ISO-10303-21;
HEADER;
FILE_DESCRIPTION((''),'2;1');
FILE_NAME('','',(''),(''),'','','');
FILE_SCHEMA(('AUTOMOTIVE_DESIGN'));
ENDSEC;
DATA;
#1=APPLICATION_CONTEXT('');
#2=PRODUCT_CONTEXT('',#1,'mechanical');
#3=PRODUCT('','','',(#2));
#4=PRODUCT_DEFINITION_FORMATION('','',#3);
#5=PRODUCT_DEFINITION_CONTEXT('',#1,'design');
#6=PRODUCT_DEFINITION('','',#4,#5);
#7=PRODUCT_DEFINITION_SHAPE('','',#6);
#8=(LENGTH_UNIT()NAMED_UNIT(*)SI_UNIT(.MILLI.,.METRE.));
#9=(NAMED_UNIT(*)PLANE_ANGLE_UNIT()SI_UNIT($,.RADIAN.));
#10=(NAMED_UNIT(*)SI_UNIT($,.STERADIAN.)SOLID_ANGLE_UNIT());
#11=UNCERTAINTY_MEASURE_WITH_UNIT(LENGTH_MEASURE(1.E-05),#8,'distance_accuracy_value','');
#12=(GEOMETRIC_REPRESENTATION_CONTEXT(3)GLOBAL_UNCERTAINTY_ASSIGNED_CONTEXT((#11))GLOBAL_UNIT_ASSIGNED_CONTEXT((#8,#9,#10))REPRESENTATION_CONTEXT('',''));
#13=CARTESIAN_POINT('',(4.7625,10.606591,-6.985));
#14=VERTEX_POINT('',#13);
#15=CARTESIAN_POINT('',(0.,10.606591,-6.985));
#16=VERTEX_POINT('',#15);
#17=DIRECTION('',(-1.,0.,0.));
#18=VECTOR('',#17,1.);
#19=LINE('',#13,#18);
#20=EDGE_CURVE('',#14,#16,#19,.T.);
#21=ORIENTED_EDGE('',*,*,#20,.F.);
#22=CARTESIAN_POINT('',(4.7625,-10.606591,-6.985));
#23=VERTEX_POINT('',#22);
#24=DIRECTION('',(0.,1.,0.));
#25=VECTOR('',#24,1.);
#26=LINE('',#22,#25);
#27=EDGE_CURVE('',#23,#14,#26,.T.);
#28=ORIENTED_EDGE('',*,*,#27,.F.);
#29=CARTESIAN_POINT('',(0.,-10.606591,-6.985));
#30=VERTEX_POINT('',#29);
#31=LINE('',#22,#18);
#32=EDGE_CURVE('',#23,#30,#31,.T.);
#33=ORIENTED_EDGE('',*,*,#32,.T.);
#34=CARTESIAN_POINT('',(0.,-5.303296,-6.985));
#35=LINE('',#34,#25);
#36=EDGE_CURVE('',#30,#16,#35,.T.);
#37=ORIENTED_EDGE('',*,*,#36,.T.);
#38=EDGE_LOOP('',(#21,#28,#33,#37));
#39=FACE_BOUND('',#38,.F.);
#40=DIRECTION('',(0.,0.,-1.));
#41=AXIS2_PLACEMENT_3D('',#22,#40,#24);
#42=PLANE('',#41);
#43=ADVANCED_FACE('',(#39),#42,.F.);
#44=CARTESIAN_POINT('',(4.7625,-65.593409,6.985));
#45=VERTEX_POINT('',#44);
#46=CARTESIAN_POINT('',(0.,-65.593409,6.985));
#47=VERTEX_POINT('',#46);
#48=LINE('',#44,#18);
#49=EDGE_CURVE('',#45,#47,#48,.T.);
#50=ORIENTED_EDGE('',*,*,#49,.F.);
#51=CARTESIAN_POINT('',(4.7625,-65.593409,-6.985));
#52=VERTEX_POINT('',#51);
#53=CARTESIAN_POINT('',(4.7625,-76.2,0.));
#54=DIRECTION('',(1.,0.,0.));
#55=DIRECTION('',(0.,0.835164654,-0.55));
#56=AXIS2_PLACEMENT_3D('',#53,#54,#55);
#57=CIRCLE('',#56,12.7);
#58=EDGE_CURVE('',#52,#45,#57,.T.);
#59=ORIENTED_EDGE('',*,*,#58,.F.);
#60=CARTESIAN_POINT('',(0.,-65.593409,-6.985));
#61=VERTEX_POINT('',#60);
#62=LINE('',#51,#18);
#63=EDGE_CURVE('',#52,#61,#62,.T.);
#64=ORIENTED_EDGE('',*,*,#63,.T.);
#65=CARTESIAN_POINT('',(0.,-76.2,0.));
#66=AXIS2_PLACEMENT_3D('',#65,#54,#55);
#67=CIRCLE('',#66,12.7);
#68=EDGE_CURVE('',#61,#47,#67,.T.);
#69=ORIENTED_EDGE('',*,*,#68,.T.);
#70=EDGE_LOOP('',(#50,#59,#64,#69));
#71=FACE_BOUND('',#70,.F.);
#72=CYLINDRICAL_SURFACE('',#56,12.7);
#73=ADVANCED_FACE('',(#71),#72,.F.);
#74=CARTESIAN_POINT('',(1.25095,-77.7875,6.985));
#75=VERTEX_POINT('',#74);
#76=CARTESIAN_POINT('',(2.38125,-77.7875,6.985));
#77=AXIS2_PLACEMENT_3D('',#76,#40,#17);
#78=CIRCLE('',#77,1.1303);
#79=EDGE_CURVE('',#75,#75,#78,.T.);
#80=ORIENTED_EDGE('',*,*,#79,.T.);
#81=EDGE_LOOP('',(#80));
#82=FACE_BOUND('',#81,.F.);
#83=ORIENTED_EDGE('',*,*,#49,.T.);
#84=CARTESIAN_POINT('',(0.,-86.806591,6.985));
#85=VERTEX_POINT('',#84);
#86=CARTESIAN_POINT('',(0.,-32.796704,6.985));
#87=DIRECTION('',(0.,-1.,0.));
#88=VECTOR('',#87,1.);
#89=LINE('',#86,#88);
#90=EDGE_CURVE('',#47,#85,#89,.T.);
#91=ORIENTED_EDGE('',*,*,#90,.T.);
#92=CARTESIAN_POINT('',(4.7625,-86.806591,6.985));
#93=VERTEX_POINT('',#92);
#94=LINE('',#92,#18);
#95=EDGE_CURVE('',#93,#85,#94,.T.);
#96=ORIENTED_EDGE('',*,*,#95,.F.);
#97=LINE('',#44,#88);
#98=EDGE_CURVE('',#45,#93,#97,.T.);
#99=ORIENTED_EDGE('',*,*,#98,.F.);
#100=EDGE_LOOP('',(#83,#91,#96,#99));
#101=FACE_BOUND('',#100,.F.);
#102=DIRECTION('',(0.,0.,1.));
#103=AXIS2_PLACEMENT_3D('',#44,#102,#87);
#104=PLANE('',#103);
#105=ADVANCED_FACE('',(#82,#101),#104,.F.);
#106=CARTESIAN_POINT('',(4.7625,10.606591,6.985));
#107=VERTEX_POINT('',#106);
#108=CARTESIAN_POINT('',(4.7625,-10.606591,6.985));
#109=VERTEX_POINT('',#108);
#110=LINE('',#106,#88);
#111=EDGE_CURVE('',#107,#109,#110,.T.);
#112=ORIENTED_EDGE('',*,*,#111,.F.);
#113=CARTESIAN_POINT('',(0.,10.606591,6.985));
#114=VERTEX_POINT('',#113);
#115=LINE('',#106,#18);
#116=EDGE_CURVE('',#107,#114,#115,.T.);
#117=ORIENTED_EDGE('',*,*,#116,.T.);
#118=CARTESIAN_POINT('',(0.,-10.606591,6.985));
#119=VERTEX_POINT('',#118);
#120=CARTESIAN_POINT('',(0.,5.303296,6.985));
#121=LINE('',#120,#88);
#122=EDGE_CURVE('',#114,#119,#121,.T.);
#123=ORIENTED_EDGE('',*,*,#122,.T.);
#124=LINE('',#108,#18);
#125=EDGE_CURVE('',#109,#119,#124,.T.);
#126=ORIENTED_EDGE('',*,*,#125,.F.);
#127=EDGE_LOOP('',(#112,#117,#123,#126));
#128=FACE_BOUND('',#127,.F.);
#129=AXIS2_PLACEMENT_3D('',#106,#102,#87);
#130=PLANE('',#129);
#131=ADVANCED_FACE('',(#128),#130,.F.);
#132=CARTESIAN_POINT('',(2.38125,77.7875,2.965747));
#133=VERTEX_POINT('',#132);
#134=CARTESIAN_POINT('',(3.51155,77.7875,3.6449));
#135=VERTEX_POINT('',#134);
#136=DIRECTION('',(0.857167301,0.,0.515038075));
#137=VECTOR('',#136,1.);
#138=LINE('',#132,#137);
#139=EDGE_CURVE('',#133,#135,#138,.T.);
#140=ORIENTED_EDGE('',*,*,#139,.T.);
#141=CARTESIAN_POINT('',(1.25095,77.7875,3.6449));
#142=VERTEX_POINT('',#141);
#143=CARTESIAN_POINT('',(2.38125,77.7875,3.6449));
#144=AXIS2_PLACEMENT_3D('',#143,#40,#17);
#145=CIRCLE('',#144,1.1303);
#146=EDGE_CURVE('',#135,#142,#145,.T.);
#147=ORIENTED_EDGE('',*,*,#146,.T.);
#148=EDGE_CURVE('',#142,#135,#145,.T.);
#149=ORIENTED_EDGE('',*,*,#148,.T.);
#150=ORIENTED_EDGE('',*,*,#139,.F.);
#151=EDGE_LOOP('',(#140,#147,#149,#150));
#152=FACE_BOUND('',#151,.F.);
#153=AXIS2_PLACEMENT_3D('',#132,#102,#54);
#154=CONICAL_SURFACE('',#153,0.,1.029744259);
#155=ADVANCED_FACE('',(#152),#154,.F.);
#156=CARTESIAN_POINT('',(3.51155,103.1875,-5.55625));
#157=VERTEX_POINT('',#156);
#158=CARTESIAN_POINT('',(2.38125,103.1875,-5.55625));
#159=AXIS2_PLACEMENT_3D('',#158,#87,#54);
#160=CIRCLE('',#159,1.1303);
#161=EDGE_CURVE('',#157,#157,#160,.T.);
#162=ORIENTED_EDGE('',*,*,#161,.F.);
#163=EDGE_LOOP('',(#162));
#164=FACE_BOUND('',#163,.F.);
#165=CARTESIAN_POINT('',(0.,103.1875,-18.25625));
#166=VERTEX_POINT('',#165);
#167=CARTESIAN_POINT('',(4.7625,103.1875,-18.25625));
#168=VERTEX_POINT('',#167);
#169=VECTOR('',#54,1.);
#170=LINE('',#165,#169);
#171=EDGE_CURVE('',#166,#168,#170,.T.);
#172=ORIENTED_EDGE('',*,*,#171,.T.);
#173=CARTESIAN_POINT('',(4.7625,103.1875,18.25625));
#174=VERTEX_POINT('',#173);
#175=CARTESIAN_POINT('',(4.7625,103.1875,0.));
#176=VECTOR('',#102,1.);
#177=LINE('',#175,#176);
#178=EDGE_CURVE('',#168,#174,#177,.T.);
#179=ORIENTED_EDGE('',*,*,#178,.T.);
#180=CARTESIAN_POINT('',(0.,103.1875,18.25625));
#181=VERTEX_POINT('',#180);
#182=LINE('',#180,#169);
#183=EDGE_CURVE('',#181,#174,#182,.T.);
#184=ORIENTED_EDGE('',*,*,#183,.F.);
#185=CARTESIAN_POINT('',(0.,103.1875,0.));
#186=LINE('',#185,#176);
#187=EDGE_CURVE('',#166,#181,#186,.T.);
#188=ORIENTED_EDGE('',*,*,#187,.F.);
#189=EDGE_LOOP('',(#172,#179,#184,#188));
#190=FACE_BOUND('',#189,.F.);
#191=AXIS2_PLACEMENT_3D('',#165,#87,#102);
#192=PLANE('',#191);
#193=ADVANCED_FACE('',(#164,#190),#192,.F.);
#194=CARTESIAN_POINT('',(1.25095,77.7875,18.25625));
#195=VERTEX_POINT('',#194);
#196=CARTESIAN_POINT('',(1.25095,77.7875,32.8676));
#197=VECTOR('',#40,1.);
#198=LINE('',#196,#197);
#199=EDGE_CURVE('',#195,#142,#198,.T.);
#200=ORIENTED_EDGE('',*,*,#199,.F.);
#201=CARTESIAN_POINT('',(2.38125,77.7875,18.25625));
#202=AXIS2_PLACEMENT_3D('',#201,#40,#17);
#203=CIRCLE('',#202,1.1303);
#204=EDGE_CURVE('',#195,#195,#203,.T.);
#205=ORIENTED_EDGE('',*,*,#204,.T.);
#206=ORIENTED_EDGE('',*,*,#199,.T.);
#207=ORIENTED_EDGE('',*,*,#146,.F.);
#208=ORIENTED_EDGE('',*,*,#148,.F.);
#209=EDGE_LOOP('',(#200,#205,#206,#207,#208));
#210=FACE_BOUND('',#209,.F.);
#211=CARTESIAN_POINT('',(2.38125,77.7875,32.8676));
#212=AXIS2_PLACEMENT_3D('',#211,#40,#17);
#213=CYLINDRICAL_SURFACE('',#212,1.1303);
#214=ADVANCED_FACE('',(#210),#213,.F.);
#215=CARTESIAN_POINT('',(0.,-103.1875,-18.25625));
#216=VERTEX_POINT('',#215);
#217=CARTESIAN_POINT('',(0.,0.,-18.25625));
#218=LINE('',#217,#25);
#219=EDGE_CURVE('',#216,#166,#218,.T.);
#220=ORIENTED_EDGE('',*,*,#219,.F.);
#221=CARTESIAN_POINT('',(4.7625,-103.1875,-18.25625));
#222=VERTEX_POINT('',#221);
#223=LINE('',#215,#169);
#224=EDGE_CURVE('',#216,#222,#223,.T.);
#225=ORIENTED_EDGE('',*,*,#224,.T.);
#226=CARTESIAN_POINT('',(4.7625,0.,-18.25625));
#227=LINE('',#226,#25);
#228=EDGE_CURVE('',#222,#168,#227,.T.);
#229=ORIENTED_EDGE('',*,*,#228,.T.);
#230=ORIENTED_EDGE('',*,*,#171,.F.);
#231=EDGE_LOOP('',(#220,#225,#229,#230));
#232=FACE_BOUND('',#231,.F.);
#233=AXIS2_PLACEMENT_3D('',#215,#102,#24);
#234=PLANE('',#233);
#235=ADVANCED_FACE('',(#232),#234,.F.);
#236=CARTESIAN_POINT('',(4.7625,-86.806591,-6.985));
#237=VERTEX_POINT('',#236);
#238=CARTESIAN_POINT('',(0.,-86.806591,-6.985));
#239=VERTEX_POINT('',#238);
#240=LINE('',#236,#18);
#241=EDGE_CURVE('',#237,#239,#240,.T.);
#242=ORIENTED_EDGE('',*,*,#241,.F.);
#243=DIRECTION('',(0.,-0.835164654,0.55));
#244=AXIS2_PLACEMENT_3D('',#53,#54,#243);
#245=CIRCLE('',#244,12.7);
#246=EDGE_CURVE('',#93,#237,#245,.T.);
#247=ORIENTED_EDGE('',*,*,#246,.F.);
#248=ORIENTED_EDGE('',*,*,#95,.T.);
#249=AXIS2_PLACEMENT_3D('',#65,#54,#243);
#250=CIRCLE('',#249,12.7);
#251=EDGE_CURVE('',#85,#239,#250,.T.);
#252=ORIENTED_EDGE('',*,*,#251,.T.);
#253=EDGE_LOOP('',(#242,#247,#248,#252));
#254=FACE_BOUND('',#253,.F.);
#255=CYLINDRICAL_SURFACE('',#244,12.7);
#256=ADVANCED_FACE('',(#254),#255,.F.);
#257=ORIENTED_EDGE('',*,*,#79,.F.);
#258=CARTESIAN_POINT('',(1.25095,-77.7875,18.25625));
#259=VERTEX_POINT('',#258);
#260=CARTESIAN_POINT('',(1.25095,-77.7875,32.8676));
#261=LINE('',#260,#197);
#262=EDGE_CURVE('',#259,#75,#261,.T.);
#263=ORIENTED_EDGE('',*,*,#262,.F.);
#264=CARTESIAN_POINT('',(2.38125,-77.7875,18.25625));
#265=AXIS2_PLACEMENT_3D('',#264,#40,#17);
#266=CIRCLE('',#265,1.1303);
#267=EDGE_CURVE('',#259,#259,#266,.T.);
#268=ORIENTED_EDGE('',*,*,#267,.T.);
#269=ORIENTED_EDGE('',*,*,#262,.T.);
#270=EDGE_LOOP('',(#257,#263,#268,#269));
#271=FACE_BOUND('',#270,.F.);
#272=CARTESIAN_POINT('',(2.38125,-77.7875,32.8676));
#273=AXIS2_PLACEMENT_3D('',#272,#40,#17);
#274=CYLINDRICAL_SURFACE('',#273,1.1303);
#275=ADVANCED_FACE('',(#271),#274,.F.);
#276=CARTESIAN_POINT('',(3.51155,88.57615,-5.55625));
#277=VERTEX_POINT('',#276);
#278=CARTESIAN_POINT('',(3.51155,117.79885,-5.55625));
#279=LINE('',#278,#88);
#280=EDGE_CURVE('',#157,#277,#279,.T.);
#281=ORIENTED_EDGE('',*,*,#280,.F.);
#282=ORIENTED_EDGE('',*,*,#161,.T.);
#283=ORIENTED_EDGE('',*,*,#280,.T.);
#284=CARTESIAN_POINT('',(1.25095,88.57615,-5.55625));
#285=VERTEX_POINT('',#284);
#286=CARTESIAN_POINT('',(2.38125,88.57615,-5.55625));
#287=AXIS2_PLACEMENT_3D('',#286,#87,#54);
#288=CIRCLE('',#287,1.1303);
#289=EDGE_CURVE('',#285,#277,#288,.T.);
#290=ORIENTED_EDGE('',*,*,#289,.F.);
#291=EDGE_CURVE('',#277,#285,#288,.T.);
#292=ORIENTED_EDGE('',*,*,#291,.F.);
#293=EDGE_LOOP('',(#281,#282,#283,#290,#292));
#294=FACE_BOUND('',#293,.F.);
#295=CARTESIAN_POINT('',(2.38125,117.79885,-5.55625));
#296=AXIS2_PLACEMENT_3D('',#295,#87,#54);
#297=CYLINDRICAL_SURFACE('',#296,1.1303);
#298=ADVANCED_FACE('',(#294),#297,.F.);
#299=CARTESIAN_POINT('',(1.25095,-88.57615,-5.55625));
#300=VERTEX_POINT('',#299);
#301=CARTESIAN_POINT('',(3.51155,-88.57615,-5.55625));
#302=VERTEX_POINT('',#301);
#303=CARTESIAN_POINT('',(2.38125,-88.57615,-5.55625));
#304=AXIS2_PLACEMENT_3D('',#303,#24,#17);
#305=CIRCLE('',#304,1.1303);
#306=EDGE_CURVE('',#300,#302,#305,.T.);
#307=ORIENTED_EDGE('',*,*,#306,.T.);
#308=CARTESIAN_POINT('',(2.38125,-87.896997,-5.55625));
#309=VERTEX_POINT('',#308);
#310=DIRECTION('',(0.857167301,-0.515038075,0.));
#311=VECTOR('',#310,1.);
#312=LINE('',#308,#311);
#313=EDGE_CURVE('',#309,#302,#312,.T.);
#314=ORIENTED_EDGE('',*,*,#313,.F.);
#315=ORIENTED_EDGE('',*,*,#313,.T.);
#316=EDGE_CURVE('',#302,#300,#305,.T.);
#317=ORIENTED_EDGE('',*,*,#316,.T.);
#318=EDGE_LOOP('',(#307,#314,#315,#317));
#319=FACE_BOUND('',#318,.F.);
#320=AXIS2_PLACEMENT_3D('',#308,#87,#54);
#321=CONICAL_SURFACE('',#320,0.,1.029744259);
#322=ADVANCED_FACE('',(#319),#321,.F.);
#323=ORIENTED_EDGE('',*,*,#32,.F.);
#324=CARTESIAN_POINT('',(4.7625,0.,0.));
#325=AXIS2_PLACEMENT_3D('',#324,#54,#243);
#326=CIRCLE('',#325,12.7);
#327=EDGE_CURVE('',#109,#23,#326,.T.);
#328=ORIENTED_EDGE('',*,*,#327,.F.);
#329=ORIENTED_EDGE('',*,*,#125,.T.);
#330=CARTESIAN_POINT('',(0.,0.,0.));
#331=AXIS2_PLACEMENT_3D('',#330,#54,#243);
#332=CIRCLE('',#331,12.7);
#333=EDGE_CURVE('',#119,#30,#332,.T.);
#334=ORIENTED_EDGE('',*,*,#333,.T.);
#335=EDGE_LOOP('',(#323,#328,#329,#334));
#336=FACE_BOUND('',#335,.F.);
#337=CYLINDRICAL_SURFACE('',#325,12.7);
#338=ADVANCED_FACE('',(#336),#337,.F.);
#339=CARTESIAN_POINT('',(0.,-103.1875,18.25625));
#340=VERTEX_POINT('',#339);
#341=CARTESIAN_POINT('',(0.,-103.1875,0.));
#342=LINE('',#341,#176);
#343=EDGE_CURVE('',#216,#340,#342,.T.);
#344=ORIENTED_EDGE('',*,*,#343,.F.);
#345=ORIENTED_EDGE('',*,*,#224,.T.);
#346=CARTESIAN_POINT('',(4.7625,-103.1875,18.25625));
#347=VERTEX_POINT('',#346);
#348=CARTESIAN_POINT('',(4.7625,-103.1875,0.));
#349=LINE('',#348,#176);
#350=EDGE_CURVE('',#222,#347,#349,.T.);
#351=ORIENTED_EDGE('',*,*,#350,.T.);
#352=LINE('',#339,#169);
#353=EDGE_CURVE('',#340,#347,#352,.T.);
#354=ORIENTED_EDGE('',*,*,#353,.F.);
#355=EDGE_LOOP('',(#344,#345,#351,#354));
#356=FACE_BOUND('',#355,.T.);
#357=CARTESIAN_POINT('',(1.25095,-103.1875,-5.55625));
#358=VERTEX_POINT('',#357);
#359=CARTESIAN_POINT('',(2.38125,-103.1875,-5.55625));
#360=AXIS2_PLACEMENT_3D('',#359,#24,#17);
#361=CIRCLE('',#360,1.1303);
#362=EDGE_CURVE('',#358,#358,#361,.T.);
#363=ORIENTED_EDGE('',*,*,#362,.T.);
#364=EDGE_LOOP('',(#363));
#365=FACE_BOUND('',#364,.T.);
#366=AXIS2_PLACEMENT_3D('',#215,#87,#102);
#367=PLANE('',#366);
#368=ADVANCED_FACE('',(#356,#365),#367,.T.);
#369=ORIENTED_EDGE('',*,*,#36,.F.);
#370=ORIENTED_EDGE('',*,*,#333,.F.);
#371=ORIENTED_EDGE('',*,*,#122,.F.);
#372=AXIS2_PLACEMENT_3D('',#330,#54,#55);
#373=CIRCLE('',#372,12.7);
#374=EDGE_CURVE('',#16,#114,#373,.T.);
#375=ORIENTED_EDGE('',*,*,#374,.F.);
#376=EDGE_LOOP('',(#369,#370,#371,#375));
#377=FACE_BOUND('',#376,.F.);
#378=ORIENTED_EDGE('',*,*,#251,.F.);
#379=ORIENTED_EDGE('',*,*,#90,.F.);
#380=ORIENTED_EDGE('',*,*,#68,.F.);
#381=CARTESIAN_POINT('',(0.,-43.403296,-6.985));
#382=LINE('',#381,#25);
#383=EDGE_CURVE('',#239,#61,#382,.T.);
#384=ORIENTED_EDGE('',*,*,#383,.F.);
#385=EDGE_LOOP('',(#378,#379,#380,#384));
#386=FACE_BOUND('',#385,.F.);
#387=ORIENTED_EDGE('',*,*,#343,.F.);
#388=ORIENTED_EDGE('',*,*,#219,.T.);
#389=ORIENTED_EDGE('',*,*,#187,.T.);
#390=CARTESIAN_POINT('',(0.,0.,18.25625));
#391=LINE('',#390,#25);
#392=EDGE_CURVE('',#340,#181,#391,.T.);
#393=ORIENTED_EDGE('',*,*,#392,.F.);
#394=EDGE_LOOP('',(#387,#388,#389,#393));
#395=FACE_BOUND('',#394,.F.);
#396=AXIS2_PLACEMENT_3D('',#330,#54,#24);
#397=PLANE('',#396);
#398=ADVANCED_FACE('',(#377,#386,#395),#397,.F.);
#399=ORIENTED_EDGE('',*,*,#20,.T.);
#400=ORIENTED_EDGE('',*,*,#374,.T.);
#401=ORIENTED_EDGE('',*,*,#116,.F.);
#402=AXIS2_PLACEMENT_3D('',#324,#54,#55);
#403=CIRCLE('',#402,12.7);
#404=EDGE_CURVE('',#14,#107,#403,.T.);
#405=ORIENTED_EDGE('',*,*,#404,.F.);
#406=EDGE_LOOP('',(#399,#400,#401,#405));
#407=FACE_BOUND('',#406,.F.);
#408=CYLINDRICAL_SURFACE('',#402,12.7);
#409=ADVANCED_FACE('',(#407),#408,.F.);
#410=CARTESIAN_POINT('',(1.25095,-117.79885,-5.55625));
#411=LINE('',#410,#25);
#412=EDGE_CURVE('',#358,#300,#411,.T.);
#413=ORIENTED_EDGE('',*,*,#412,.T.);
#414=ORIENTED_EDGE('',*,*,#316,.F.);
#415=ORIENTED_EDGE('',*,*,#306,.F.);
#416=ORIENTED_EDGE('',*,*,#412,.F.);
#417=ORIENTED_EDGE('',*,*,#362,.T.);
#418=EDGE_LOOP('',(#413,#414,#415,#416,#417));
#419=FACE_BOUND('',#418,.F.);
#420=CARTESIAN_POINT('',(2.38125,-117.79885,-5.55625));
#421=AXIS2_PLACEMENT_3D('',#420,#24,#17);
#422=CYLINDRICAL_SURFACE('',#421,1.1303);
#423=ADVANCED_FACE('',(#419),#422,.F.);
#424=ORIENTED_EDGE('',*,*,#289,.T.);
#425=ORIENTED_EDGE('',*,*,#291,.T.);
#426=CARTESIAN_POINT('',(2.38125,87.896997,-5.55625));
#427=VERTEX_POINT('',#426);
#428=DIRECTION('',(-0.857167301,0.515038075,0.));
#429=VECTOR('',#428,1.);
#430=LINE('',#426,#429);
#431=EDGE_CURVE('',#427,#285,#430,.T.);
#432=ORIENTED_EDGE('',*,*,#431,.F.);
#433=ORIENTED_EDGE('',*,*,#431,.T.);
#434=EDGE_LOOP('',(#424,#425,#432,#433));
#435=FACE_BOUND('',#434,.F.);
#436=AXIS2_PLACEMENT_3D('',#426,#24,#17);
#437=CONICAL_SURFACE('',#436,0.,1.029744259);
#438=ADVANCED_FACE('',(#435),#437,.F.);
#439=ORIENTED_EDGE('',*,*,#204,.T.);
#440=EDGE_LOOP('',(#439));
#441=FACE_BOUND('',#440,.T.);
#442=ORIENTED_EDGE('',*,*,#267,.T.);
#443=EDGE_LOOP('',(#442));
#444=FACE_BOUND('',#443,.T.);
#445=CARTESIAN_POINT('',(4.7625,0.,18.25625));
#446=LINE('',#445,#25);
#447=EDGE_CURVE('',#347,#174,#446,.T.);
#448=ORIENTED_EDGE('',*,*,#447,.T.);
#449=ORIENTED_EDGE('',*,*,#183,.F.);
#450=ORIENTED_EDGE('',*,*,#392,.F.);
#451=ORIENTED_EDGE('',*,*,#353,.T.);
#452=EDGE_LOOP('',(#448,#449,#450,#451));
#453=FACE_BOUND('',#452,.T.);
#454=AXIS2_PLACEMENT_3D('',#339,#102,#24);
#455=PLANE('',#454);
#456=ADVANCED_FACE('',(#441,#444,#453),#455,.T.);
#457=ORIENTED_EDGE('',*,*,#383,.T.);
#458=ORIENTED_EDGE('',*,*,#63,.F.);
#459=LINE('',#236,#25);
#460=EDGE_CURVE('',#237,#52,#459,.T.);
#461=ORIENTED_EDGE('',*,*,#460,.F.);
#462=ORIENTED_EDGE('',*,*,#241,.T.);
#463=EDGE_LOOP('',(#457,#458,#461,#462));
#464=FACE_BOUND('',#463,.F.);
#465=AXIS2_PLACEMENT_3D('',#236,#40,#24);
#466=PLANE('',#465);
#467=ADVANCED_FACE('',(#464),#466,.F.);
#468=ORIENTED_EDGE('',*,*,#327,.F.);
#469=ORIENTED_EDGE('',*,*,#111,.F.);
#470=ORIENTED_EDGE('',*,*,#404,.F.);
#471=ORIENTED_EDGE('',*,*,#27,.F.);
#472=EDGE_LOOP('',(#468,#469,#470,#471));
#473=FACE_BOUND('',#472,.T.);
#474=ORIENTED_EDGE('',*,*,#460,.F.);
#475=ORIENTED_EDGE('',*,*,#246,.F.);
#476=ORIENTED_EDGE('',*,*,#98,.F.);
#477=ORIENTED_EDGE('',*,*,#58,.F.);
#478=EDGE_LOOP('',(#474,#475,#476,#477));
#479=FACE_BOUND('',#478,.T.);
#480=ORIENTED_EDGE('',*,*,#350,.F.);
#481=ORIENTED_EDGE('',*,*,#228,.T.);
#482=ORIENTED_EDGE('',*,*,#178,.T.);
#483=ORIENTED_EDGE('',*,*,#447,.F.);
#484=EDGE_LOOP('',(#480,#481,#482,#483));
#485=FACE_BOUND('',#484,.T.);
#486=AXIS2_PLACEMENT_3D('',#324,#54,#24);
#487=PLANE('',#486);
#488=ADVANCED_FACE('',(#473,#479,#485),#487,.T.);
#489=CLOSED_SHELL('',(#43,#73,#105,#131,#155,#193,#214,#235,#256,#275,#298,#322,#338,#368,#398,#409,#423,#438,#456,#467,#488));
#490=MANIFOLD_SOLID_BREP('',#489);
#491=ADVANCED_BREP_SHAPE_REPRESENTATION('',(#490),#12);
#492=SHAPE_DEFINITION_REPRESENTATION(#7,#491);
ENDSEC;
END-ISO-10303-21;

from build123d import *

# Parameters (mm, degrees)
F0_W           = 206.375
F0_H           = 36.5125
F1_DEPTH       = 4.7625
F5_D           = 2.2606
F5_DEPTH       = 14.61135
F5_TIP         = 0.6791527577
F5_ON_F3_D     = 2.2606
F5_ON_F3_DEPTH = 14.61135
F5_ON_F3_TIP   = 0.6791527577
F5_ON_F2_D     = 2.2606
F5_ON_F2_DEPTH = 14.61135
F5_ON_F2_TIP   = 0.6791527577
F7_DEPTH       = 25.4


with BuildPart() as f1:
    # F0 (on Right) → F1 (new body)
    with BuildSketch(Plane.YZ):
        Rectangle(F0_W, F0_H)
    extrude(amount=F1_DEPTH)

    # F5
    with Locations(Plane.XY.offset(18.25625)):
        with Locations((2.38125, -77.7875), (2.38125, 77.7875)):
            Hole(F5_D / 2, depth=F5_DEPTH)
            with Locations((0, 0, -(F5_DEPTH + F5_TIP / 2))):  # 118° drill point
                Cone(0, F5_D / 2, F5_TIP, mode=Mode.SUBTRACT)

    # F5 on F3
    with Locations(Plane.XZ.offset(103.1875)):
        with Locations((2.38125, -5.55625)):
            Hole(F5_ON_F3_D / 2, depth=F5_ON_F3_DEPTH)
            with Locations((0, 0, -(F5_ON_F3_DEPTH + F5_ON_F3_TIP / 2))):  # 118° drill point
                Cone(0, F5_ON_F3_D / 2, F5_ON_F3_TIP, mode=Mode.SUBTRACT)

    # F5 on F2
    with Locations(Plane(origin=(0, 103.1875, 0), x_dir=(-1, 0, 0), z_dir=(0, 1, 0))):
        with Locations((-2.38125, -5.55625)):
            Hole(F5_ON_F2_D / 2, depth=F5_ON_F2_DEPTH)
            with Locations((0, 0, -(F5_ON_F2_DEPTH + F5_ON_F2_TIP / 2))):  # 118° drill point
                Cone(0, F5_ON_F2_D / 2, F5_ON_F2_TIP, mode=Mode.SUBTRACT)

    # F6 (on face) → F7 (cut)
    with BuildSketch(Plane.YZ.offset(4.7625)):
        with BuildLine():
            Line((-65.5934088888, 6.985), (-86.8065911112, 6.985))
            ThreePointArc((-86.8065911112, 6.985), (-88.9, 0), (-86.8065911112, -6.985))
            Line((-86.8065911112, -6.985), (-65.5934088888, -6.985))
            ThreePointArc((-65.5934088888, -6.985), (-63.5, 0), (-65.5934088888, 6.985))
        make_face()
        with BuildLine():
            ThreePointArc((10.6065911112, -6.985), (12.7, 0), (10.6065911112, 6.985))
            Line((10.6065911112, 6.985), (-10.6065911112, 6.985))
            ThreePointArc((-10.6065911112, 6.985), (-12.7, 0), (-10.6065911112, -6.985))
            Line((-10.6065911112, -6.985), (10.6065911112, -6.985))
        make_face()
    extrude(amount=-F7_DEPTH, mode=Mode.SUBTRACT)


solid = f1.part
